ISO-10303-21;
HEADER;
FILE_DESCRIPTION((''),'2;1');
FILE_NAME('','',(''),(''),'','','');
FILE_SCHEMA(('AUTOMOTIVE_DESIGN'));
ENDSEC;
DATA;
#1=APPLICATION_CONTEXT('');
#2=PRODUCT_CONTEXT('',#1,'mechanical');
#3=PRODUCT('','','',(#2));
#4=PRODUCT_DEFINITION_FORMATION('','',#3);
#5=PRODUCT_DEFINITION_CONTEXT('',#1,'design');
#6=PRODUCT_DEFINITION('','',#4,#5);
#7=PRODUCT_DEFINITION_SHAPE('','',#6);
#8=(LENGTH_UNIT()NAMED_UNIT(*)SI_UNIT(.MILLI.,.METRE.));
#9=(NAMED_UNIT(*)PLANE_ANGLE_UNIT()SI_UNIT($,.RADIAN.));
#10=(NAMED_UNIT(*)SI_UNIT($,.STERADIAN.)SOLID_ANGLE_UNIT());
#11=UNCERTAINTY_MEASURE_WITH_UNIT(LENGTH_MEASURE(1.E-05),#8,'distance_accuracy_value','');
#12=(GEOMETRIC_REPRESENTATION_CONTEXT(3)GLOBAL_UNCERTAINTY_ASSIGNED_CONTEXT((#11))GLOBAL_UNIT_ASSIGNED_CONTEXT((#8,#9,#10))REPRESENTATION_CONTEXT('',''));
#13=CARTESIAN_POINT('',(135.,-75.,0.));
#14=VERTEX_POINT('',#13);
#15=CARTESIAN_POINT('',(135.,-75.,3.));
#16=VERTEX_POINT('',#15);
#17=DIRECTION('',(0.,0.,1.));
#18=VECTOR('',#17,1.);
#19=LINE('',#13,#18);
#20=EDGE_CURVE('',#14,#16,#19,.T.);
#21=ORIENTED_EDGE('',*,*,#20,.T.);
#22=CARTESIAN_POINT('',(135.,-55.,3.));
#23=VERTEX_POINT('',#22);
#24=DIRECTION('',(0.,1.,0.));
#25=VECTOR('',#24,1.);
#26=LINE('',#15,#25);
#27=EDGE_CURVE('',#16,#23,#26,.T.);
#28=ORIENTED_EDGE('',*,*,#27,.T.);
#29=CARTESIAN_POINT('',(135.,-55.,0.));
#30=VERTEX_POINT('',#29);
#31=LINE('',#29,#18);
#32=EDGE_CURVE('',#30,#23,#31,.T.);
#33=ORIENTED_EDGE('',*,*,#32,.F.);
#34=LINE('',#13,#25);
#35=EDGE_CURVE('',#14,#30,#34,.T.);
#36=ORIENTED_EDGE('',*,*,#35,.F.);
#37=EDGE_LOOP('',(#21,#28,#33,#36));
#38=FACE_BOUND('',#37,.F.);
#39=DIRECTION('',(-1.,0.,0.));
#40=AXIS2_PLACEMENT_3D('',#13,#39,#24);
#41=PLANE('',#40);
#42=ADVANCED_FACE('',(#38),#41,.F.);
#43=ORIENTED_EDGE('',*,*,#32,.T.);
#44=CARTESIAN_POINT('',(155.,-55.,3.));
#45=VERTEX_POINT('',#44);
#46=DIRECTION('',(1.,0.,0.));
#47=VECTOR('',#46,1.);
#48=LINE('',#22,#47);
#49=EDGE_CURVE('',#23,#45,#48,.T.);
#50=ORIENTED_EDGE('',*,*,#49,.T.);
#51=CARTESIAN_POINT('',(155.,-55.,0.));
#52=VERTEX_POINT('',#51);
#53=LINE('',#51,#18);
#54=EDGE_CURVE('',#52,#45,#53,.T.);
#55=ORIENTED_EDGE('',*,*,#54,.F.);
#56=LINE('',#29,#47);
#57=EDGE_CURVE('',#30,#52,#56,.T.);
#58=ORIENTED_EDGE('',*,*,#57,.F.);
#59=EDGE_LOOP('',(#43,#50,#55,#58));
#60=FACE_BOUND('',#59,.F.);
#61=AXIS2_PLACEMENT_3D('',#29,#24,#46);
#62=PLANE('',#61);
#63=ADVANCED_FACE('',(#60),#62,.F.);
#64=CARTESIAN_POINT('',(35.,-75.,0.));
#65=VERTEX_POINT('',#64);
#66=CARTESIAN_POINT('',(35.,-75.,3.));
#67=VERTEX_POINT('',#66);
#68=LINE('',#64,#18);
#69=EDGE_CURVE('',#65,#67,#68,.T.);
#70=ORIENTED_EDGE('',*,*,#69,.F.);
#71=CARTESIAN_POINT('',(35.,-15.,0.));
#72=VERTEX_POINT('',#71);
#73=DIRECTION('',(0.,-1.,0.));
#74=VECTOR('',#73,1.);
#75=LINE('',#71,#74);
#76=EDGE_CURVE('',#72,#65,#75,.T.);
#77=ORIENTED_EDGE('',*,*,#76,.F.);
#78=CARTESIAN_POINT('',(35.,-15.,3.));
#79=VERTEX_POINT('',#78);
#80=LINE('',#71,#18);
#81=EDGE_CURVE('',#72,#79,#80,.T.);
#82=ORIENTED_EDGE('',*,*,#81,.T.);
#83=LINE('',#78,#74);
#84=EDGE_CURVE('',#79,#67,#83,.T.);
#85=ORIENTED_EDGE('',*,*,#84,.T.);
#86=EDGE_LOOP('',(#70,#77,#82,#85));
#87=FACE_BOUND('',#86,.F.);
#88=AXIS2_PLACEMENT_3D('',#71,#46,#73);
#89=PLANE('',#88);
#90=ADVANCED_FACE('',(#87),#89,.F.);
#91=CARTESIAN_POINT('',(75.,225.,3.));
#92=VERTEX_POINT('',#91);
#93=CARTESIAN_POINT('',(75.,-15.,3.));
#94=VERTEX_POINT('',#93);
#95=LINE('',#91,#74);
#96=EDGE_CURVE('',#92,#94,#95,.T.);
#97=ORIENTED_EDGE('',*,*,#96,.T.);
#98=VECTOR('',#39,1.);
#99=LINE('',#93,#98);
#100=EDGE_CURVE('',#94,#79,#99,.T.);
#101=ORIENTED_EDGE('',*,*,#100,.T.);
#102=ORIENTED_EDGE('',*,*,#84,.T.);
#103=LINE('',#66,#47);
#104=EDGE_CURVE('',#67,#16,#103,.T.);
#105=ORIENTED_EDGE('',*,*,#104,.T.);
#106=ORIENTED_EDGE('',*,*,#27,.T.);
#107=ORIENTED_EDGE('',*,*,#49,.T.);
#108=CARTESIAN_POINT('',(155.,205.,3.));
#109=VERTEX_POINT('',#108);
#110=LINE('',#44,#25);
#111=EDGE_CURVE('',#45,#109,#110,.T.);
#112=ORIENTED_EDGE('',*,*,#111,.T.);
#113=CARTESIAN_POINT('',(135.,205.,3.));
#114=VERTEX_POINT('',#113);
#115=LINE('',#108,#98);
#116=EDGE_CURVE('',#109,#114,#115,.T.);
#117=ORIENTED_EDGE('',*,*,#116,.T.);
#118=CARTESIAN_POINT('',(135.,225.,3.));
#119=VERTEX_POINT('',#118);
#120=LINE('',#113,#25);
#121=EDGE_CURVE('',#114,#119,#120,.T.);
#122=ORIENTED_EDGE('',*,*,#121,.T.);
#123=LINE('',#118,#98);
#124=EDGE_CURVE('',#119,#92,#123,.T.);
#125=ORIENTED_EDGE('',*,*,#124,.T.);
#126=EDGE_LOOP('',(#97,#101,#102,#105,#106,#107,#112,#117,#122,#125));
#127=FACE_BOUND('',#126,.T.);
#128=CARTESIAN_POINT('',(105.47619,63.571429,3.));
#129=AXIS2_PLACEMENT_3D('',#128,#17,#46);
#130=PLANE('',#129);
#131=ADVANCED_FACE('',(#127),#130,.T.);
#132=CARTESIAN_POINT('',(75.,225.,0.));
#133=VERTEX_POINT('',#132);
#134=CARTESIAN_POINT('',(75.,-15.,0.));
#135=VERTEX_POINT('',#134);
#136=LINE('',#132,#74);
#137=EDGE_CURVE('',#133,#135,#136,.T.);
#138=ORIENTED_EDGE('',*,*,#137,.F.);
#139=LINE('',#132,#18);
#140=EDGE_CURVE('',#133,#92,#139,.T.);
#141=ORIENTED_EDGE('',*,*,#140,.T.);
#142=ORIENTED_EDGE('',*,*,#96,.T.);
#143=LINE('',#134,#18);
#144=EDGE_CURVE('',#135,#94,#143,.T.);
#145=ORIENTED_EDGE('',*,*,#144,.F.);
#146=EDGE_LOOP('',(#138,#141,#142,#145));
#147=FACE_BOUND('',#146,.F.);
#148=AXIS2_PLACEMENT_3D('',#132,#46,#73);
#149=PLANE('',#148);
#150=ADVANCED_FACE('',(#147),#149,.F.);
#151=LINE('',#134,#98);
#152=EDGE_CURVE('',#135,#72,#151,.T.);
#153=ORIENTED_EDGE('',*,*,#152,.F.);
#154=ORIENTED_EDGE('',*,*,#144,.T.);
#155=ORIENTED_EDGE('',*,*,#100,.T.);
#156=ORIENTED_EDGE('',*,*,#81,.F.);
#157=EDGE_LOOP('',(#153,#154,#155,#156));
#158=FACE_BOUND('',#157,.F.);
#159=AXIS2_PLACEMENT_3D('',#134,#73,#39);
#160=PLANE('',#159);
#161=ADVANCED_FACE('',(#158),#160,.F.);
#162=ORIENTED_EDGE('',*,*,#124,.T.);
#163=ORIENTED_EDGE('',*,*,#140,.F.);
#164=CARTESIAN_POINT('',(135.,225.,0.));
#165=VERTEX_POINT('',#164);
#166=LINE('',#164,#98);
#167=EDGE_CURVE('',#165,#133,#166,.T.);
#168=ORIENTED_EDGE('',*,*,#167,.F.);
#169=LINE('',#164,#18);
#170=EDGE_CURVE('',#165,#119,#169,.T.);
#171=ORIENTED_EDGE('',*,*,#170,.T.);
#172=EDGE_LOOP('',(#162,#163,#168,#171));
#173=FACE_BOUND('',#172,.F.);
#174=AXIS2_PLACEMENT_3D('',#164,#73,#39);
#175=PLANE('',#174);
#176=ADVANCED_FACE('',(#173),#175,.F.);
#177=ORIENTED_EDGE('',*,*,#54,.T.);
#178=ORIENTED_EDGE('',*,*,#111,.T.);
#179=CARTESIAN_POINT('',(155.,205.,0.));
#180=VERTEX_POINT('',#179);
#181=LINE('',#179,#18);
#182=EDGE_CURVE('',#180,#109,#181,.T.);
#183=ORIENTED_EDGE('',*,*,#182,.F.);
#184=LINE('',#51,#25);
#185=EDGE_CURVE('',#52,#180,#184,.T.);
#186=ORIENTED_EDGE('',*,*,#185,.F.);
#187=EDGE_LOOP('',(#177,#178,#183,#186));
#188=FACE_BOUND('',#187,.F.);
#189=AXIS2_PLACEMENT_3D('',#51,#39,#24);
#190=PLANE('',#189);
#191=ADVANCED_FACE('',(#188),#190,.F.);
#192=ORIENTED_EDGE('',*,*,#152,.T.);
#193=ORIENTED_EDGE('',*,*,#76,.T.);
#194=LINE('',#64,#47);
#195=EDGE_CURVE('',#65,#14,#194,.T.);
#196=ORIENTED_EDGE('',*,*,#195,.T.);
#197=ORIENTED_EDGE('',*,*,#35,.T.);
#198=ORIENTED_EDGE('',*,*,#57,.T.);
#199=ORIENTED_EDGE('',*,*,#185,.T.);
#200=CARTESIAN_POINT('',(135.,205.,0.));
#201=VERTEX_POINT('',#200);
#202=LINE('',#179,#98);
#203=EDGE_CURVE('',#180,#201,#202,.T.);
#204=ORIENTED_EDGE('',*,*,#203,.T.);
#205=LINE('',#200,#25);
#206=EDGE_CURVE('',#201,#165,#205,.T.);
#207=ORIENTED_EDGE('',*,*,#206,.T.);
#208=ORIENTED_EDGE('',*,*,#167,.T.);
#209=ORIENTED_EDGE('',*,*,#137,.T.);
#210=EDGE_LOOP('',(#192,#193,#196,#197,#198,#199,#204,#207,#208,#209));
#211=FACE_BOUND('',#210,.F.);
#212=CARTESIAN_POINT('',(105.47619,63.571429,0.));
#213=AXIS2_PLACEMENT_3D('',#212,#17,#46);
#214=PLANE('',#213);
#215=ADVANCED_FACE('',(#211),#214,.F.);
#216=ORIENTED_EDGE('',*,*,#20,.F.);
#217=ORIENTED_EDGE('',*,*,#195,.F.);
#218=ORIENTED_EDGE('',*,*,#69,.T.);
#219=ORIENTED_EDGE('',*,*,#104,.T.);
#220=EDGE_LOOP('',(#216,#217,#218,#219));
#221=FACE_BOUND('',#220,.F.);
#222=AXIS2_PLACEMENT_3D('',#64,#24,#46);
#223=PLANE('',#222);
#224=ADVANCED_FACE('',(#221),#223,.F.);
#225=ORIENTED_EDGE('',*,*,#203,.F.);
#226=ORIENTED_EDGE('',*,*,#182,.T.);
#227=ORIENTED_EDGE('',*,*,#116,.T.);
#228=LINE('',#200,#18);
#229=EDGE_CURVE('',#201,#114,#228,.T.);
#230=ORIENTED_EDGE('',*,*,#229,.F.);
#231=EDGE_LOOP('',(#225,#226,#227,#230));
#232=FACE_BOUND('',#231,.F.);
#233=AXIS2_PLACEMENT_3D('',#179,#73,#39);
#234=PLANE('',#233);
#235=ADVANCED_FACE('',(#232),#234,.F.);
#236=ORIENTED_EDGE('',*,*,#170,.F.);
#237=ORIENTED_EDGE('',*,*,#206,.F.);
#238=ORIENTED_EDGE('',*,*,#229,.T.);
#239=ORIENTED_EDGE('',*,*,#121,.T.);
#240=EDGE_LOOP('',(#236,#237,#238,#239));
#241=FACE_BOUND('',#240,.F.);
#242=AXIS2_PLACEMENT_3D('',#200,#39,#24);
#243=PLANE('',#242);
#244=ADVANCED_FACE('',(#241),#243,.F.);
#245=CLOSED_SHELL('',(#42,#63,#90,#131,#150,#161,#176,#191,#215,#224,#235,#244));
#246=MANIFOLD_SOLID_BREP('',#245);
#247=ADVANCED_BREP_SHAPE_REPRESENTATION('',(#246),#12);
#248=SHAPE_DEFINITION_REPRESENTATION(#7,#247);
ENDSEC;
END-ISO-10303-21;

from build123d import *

# Parameters (mm, degrees)
PAD_DEPTH = 3


with BuildPart() as part:
    # Sketch → Pad (new body)
    with BuildSketch(Plane.XY):
        Polygon((35, -15), (35, -75), (135, -75), (135, -55), (155, -55), (155, 205), (135, 205), (135, 225), (75, 225), (75, -15), align=None)
    extrude(amount=PAD_DEPTH)


solid = part.part
